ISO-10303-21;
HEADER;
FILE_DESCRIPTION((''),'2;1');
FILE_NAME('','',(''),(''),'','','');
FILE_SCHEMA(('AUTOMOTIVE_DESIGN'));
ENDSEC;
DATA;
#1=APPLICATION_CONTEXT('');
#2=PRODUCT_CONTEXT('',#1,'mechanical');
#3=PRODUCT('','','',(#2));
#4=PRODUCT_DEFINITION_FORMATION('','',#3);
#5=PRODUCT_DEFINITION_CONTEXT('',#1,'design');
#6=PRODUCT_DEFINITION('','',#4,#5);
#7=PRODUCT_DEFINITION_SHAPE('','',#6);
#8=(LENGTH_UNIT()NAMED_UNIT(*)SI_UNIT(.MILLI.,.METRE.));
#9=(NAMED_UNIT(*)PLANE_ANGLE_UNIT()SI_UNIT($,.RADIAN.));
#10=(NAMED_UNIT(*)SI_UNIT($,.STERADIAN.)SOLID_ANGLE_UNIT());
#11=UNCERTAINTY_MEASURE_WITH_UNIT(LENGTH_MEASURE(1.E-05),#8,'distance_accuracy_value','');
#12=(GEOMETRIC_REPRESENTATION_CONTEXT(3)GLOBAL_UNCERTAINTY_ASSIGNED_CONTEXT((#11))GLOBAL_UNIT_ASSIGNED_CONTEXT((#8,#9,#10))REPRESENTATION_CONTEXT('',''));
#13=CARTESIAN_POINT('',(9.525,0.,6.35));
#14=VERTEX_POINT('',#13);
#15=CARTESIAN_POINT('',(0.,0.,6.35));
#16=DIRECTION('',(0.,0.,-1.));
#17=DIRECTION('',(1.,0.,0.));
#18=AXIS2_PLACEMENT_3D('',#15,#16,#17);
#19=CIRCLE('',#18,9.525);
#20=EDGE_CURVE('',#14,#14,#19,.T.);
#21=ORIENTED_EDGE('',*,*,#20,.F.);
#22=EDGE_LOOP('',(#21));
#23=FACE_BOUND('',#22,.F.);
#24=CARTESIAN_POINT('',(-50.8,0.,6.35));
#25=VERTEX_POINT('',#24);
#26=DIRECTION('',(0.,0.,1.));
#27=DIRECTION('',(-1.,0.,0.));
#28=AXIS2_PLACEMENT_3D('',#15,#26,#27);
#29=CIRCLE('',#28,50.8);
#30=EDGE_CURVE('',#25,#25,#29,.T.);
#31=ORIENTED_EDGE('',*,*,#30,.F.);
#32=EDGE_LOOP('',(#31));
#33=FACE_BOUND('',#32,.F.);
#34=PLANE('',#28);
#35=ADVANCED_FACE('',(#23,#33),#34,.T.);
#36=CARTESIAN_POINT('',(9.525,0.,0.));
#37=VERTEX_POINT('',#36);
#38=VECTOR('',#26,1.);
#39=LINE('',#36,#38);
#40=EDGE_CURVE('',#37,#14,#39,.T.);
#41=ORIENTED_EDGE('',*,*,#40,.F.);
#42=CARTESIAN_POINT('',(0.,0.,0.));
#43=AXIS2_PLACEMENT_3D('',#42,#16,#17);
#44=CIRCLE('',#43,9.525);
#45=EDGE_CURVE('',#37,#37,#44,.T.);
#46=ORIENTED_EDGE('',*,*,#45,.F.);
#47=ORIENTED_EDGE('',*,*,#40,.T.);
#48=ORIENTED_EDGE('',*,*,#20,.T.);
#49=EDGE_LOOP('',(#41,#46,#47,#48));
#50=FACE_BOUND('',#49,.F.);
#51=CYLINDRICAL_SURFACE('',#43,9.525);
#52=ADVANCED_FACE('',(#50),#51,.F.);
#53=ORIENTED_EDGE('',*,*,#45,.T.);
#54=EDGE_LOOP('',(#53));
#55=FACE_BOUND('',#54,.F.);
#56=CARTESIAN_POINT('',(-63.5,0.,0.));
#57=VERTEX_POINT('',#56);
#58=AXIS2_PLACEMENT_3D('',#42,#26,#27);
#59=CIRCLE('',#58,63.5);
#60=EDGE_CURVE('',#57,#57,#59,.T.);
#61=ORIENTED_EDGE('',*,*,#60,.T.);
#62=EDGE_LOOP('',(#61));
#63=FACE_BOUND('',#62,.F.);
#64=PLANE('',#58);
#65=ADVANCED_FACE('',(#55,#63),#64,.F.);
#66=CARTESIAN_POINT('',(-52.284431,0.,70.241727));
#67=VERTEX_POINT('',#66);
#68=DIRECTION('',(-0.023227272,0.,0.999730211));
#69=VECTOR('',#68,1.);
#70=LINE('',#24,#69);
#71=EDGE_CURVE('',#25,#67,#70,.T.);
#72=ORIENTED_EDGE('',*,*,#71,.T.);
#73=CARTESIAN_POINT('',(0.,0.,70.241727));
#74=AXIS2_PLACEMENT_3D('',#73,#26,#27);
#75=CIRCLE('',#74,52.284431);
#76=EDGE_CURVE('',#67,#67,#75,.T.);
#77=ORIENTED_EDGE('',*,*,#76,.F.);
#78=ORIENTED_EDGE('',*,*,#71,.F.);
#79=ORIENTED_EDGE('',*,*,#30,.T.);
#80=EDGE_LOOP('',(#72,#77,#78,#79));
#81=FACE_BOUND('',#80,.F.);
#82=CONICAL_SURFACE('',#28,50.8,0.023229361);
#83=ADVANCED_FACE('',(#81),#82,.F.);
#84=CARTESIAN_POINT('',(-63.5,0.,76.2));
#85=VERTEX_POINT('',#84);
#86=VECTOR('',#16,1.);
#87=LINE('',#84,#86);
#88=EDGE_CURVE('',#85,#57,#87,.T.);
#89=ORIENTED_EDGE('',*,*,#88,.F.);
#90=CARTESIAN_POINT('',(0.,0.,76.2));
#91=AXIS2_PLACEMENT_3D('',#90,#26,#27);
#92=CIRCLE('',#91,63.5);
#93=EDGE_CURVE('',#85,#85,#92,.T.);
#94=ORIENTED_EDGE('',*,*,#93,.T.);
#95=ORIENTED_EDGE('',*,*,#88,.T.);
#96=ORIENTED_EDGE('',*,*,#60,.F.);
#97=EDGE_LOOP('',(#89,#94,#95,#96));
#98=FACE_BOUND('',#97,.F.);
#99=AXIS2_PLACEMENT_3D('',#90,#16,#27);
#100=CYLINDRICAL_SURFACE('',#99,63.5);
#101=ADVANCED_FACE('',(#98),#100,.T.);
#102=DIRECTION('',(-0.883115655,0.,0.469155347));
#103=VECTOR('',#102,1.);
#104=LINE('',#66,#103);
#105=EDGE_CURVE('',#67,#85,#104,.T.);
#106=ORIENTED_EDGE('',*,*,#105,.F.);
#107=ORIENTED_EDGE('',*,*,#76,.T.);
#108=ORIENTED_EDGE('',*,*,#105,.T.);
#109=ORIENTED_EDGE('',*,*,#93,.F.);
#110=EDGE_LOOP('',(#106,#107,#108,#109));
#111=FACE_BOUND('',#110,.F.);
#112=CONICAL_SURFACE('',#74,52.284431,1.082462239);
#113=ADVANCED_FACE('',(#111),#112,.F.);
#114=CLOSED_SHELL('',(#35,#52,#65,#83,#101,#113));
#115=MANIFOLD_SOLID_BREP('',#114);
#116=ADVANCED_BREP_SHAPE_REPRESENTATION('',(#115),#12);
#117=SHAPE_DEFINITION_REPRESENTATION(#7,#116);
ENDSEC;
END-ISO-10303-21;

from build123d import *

# Parameters (mm, degrees)
F3_R     = 9.525
F4_DEPTH = 76.201


with BuildPart() as f2:
    # F1 (on Front) → F2 (revolve)
    with BuildSketch(Plane.XZ):
        Polygon((-52.284431, 70.241727), (-63.5, 76.2), (-63.5, 0), (0, 0), (0, 6.35), (-50.8, 6.35), align=None)
    revolve(axis=Axis((0, 0, 35.443861), (0, 0, 1)))

    # F3 (on face) → F4 (cut, through all)
    with BuildSketch(Plane(origin=(0, 0, 0), x_dir=(1, 0, 0), z_dir=(0, 0, -1))):
        Circle(F3_R)
    extrude(amount=-F4_DEPTH, mode=Mode.SUBTRACT)


solid = f2.part
